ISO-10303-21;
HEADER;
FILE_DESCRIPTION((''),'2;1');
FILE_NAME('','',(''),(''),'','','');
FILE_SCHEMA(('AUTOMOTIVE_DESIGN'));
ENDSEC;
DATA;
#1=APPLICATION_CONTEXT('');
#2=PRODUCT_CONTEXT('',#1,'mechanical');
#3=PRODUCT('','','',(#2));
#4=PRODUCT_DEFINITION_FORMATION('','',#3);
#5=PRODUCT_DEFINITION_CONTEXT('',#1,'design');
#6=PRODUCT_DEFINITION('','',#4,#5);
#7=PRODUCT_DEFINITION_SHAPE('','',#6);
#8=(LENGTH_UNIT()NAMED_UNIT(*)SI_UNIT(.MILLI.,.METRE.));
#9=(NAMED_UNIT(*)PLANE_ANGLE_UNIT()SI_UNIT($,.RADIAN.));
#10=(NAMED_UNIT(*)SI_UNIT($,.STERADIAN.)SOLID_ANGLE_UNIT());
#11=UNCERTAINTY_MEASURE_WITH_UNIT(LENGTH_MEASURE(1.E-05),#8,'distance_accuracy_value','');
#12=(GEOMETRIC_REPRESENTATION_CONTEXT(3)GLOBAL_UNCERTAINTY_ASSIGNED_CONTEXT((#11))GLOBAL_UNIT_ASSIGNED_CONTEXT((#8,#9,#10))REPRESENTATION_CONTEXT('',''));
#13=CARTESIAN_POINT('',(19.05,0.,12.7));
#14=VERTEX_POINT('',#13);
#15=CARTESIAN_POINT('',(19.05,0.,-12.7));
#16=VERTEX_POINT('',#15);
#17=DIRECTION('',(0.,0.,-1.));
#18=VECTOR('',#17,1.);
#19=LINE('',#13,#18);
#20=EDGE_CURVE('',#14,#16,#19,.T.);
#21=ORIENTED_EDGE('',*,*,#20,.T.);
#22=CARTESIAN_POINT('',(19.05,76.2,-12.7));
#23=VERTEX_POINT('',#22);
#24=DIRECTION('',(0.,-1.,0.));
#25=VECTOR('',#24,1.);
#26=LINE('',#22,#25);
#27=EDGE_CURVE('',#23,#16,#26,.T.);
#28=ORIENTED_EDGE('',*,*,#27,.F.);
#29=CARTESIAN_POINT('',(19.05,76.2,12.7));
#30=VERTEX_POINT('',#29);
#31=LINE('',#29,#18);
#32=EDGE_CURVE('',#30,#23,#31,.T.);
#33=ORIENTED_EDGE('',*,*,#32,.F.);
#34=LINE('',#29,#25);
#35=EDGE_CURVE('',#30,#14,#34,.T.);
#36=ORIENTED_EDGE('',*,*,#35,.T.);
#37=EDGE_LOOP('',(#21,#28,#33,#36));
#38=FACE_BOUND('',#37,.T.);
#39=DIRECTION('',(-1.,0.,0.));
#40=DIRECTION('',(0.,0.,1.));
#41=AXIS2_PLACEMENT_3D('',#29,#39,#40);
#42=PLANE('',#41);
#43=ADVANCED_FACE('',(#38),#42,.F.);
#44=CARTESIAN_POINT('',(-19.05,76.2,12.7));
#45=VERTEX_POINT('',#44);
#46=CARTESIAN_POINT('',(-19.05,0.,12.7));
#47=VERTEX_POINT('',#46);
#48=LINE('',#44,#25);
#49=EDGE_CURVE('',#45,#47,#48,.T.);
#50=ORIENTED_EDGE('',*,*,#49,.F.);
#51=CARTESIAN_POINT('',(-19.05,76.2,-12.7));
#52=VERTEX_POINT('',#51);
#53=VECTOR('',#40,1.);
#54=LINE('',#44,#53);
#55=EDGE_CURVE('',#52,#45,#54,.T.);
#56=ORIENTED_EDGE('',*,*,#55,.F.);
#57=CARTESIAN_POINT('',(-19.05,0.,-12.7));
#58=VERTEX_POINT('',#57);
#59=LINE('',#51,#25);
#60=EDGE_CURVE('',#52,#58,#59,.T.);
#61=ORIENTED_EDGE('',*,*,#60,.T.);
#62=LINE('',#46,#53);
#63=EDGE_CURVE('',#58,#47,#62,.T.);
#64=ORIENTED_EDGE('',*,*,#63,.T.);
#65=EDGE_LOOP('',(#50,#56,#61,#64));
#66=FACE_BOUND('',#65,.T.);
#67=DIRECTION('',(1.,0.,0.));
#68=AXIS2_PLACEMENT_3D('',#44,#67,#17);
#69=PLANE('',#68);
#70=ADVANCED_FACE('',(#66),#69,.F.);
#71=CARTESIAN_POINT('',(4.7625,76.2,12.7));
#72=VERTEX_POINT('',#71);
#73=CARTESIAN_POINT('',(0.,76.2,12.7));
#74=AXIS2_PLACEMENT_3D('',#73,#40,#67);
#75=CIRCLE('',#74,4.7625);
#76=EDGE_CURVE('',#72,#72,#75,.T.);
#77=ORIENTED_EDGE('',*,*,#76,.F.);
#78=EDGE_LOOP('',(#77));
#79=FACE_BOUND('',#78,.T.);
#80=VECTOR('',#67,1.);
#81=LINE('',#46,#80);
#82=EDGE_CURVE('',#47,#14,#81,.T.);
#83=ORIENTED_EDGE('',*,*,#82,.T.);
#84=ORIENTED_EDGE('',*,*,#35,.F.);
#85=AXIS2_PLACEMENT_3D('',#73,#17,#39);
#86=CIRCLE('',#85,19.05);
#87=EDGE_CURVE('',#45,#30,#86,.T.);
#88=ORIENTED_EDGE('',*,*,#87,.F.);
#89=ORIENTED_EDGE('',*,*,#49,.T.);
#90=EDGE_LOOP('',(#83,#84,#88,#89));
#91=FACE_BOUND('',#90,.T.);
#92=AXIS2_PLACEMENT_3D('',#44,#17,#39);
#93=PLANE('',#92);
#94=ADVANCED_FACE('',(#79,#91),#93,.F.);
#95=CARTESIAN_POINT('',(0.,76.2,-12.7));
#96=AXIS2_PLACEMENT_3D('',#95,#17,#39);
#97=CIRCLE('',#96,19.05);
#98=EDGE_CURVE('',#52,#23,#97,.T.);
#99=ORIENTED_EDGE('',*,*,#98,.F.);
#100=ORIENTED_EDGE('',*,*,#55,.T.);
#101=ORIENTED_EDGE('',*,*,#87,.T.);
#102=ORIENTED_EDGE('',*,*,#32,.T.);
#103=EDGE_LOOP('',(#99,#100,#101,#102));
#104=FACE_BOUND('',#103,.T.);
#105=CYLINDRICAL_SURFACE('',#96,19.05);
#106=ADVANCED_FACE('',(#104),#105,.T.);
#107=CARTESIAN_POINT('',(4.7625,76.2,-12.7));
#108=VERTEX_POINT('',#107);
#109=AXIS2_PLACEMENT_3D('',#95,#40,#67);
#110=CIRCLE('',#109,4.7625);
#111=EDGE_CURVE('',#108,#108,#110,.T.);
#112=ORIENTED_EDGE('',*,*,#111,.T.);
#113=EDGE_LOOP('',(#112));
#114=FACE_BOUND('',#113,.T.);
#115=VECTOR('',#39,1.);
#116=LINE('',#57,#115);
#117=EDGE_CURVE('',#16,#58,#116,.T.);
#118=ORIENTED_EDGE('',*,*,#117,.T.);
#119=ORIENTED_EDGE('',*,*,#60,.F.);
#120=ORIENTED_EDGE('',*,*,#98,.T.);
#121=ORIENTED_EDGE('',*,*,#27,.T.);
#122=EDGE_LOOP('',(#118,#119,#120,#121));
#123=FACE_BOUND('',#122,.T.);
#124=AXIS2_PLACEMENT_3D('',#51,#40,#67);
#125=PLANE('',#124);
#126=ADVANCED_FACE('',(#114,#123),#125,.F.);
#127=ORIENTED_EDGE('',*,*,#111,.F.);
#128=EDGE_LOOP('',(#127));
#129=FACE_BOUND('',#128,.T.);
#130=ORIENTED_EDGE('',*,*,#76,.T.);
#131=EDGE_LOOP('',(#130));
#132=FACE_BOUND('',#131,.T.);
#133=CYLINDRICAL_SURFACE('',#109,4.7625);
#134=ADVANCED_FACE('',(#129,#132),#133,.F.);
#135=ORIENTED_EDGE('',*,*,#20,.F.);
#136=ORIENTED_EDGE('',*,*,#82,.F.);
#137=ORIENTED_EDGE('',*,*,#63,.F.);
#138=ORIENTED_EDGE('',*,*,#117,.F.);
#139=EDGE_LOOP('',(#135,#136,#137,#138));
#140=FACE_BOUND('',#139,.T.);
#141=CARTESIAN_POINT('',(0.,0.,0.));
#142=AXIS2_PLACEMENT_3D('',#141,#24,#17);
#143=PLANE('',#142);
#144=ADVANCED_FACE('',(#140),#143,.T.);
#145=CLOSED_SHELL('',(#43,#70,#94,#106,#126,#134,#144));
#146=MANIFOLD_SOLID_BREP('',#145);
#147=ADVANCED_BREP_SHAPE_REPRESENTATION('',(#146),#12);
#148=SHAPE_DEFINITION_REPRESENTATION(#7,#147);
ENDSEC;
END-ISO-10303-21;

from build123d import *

# Parameters (mm, degrees)
SKETCH2_W           = 38.1
SKETCH2_H           = 25.4
BOSS_EXTRUDE1_DEPTH = 76.2
SKETCH3_W           = 19.05
SKETCH3_H           = 25.4
REVOLVE1_ANGLE      = 180
SKETCH4_R           = 4.7625
CUT_EXTRUDE1_DEPTH  = 101.40231571


with BuildPart() as part:
    # Sketch2 → Boss-Extrude1 (new body)
    with BuildSketch(Plane(origin=(0, 0, 0), x_dir=(1, 0, 0), z_dir=(0, 1, 0))):
        Rectangle(SKETCH2_W, SKETCH2_H)
    extrude(amount=BOSS_EXTRUDE1_DEPTH)

    # Sketch3 → Revolve1 (revolve)
    with BuildSketch(Plane(origin=(0, 76.2, 0), x_dir=(1, 0, 0), z_dir=(0, 1, 0))):
        with Locations((9.525, 0)):
            Rectangle(SKETCH3_W, SKETCH3_H)
    revolve(axis=Axis((0, 76.2, -12.7), (0, 0, 1)), revolution_arc=REVOLVE1_ANGLE)

    # Sketch4 → Cut-Extrude1 (cut, through all)
    with BuildSketch(Plane.XY.offset(12.7)):
        with Locations((0, 76.2)):
            Circle(SKETCH4_R)
    extrude(amount=-CUT_EXTRUDE1_DEPTH, mode=Mode.SUBTRACT)


solid = part.part
